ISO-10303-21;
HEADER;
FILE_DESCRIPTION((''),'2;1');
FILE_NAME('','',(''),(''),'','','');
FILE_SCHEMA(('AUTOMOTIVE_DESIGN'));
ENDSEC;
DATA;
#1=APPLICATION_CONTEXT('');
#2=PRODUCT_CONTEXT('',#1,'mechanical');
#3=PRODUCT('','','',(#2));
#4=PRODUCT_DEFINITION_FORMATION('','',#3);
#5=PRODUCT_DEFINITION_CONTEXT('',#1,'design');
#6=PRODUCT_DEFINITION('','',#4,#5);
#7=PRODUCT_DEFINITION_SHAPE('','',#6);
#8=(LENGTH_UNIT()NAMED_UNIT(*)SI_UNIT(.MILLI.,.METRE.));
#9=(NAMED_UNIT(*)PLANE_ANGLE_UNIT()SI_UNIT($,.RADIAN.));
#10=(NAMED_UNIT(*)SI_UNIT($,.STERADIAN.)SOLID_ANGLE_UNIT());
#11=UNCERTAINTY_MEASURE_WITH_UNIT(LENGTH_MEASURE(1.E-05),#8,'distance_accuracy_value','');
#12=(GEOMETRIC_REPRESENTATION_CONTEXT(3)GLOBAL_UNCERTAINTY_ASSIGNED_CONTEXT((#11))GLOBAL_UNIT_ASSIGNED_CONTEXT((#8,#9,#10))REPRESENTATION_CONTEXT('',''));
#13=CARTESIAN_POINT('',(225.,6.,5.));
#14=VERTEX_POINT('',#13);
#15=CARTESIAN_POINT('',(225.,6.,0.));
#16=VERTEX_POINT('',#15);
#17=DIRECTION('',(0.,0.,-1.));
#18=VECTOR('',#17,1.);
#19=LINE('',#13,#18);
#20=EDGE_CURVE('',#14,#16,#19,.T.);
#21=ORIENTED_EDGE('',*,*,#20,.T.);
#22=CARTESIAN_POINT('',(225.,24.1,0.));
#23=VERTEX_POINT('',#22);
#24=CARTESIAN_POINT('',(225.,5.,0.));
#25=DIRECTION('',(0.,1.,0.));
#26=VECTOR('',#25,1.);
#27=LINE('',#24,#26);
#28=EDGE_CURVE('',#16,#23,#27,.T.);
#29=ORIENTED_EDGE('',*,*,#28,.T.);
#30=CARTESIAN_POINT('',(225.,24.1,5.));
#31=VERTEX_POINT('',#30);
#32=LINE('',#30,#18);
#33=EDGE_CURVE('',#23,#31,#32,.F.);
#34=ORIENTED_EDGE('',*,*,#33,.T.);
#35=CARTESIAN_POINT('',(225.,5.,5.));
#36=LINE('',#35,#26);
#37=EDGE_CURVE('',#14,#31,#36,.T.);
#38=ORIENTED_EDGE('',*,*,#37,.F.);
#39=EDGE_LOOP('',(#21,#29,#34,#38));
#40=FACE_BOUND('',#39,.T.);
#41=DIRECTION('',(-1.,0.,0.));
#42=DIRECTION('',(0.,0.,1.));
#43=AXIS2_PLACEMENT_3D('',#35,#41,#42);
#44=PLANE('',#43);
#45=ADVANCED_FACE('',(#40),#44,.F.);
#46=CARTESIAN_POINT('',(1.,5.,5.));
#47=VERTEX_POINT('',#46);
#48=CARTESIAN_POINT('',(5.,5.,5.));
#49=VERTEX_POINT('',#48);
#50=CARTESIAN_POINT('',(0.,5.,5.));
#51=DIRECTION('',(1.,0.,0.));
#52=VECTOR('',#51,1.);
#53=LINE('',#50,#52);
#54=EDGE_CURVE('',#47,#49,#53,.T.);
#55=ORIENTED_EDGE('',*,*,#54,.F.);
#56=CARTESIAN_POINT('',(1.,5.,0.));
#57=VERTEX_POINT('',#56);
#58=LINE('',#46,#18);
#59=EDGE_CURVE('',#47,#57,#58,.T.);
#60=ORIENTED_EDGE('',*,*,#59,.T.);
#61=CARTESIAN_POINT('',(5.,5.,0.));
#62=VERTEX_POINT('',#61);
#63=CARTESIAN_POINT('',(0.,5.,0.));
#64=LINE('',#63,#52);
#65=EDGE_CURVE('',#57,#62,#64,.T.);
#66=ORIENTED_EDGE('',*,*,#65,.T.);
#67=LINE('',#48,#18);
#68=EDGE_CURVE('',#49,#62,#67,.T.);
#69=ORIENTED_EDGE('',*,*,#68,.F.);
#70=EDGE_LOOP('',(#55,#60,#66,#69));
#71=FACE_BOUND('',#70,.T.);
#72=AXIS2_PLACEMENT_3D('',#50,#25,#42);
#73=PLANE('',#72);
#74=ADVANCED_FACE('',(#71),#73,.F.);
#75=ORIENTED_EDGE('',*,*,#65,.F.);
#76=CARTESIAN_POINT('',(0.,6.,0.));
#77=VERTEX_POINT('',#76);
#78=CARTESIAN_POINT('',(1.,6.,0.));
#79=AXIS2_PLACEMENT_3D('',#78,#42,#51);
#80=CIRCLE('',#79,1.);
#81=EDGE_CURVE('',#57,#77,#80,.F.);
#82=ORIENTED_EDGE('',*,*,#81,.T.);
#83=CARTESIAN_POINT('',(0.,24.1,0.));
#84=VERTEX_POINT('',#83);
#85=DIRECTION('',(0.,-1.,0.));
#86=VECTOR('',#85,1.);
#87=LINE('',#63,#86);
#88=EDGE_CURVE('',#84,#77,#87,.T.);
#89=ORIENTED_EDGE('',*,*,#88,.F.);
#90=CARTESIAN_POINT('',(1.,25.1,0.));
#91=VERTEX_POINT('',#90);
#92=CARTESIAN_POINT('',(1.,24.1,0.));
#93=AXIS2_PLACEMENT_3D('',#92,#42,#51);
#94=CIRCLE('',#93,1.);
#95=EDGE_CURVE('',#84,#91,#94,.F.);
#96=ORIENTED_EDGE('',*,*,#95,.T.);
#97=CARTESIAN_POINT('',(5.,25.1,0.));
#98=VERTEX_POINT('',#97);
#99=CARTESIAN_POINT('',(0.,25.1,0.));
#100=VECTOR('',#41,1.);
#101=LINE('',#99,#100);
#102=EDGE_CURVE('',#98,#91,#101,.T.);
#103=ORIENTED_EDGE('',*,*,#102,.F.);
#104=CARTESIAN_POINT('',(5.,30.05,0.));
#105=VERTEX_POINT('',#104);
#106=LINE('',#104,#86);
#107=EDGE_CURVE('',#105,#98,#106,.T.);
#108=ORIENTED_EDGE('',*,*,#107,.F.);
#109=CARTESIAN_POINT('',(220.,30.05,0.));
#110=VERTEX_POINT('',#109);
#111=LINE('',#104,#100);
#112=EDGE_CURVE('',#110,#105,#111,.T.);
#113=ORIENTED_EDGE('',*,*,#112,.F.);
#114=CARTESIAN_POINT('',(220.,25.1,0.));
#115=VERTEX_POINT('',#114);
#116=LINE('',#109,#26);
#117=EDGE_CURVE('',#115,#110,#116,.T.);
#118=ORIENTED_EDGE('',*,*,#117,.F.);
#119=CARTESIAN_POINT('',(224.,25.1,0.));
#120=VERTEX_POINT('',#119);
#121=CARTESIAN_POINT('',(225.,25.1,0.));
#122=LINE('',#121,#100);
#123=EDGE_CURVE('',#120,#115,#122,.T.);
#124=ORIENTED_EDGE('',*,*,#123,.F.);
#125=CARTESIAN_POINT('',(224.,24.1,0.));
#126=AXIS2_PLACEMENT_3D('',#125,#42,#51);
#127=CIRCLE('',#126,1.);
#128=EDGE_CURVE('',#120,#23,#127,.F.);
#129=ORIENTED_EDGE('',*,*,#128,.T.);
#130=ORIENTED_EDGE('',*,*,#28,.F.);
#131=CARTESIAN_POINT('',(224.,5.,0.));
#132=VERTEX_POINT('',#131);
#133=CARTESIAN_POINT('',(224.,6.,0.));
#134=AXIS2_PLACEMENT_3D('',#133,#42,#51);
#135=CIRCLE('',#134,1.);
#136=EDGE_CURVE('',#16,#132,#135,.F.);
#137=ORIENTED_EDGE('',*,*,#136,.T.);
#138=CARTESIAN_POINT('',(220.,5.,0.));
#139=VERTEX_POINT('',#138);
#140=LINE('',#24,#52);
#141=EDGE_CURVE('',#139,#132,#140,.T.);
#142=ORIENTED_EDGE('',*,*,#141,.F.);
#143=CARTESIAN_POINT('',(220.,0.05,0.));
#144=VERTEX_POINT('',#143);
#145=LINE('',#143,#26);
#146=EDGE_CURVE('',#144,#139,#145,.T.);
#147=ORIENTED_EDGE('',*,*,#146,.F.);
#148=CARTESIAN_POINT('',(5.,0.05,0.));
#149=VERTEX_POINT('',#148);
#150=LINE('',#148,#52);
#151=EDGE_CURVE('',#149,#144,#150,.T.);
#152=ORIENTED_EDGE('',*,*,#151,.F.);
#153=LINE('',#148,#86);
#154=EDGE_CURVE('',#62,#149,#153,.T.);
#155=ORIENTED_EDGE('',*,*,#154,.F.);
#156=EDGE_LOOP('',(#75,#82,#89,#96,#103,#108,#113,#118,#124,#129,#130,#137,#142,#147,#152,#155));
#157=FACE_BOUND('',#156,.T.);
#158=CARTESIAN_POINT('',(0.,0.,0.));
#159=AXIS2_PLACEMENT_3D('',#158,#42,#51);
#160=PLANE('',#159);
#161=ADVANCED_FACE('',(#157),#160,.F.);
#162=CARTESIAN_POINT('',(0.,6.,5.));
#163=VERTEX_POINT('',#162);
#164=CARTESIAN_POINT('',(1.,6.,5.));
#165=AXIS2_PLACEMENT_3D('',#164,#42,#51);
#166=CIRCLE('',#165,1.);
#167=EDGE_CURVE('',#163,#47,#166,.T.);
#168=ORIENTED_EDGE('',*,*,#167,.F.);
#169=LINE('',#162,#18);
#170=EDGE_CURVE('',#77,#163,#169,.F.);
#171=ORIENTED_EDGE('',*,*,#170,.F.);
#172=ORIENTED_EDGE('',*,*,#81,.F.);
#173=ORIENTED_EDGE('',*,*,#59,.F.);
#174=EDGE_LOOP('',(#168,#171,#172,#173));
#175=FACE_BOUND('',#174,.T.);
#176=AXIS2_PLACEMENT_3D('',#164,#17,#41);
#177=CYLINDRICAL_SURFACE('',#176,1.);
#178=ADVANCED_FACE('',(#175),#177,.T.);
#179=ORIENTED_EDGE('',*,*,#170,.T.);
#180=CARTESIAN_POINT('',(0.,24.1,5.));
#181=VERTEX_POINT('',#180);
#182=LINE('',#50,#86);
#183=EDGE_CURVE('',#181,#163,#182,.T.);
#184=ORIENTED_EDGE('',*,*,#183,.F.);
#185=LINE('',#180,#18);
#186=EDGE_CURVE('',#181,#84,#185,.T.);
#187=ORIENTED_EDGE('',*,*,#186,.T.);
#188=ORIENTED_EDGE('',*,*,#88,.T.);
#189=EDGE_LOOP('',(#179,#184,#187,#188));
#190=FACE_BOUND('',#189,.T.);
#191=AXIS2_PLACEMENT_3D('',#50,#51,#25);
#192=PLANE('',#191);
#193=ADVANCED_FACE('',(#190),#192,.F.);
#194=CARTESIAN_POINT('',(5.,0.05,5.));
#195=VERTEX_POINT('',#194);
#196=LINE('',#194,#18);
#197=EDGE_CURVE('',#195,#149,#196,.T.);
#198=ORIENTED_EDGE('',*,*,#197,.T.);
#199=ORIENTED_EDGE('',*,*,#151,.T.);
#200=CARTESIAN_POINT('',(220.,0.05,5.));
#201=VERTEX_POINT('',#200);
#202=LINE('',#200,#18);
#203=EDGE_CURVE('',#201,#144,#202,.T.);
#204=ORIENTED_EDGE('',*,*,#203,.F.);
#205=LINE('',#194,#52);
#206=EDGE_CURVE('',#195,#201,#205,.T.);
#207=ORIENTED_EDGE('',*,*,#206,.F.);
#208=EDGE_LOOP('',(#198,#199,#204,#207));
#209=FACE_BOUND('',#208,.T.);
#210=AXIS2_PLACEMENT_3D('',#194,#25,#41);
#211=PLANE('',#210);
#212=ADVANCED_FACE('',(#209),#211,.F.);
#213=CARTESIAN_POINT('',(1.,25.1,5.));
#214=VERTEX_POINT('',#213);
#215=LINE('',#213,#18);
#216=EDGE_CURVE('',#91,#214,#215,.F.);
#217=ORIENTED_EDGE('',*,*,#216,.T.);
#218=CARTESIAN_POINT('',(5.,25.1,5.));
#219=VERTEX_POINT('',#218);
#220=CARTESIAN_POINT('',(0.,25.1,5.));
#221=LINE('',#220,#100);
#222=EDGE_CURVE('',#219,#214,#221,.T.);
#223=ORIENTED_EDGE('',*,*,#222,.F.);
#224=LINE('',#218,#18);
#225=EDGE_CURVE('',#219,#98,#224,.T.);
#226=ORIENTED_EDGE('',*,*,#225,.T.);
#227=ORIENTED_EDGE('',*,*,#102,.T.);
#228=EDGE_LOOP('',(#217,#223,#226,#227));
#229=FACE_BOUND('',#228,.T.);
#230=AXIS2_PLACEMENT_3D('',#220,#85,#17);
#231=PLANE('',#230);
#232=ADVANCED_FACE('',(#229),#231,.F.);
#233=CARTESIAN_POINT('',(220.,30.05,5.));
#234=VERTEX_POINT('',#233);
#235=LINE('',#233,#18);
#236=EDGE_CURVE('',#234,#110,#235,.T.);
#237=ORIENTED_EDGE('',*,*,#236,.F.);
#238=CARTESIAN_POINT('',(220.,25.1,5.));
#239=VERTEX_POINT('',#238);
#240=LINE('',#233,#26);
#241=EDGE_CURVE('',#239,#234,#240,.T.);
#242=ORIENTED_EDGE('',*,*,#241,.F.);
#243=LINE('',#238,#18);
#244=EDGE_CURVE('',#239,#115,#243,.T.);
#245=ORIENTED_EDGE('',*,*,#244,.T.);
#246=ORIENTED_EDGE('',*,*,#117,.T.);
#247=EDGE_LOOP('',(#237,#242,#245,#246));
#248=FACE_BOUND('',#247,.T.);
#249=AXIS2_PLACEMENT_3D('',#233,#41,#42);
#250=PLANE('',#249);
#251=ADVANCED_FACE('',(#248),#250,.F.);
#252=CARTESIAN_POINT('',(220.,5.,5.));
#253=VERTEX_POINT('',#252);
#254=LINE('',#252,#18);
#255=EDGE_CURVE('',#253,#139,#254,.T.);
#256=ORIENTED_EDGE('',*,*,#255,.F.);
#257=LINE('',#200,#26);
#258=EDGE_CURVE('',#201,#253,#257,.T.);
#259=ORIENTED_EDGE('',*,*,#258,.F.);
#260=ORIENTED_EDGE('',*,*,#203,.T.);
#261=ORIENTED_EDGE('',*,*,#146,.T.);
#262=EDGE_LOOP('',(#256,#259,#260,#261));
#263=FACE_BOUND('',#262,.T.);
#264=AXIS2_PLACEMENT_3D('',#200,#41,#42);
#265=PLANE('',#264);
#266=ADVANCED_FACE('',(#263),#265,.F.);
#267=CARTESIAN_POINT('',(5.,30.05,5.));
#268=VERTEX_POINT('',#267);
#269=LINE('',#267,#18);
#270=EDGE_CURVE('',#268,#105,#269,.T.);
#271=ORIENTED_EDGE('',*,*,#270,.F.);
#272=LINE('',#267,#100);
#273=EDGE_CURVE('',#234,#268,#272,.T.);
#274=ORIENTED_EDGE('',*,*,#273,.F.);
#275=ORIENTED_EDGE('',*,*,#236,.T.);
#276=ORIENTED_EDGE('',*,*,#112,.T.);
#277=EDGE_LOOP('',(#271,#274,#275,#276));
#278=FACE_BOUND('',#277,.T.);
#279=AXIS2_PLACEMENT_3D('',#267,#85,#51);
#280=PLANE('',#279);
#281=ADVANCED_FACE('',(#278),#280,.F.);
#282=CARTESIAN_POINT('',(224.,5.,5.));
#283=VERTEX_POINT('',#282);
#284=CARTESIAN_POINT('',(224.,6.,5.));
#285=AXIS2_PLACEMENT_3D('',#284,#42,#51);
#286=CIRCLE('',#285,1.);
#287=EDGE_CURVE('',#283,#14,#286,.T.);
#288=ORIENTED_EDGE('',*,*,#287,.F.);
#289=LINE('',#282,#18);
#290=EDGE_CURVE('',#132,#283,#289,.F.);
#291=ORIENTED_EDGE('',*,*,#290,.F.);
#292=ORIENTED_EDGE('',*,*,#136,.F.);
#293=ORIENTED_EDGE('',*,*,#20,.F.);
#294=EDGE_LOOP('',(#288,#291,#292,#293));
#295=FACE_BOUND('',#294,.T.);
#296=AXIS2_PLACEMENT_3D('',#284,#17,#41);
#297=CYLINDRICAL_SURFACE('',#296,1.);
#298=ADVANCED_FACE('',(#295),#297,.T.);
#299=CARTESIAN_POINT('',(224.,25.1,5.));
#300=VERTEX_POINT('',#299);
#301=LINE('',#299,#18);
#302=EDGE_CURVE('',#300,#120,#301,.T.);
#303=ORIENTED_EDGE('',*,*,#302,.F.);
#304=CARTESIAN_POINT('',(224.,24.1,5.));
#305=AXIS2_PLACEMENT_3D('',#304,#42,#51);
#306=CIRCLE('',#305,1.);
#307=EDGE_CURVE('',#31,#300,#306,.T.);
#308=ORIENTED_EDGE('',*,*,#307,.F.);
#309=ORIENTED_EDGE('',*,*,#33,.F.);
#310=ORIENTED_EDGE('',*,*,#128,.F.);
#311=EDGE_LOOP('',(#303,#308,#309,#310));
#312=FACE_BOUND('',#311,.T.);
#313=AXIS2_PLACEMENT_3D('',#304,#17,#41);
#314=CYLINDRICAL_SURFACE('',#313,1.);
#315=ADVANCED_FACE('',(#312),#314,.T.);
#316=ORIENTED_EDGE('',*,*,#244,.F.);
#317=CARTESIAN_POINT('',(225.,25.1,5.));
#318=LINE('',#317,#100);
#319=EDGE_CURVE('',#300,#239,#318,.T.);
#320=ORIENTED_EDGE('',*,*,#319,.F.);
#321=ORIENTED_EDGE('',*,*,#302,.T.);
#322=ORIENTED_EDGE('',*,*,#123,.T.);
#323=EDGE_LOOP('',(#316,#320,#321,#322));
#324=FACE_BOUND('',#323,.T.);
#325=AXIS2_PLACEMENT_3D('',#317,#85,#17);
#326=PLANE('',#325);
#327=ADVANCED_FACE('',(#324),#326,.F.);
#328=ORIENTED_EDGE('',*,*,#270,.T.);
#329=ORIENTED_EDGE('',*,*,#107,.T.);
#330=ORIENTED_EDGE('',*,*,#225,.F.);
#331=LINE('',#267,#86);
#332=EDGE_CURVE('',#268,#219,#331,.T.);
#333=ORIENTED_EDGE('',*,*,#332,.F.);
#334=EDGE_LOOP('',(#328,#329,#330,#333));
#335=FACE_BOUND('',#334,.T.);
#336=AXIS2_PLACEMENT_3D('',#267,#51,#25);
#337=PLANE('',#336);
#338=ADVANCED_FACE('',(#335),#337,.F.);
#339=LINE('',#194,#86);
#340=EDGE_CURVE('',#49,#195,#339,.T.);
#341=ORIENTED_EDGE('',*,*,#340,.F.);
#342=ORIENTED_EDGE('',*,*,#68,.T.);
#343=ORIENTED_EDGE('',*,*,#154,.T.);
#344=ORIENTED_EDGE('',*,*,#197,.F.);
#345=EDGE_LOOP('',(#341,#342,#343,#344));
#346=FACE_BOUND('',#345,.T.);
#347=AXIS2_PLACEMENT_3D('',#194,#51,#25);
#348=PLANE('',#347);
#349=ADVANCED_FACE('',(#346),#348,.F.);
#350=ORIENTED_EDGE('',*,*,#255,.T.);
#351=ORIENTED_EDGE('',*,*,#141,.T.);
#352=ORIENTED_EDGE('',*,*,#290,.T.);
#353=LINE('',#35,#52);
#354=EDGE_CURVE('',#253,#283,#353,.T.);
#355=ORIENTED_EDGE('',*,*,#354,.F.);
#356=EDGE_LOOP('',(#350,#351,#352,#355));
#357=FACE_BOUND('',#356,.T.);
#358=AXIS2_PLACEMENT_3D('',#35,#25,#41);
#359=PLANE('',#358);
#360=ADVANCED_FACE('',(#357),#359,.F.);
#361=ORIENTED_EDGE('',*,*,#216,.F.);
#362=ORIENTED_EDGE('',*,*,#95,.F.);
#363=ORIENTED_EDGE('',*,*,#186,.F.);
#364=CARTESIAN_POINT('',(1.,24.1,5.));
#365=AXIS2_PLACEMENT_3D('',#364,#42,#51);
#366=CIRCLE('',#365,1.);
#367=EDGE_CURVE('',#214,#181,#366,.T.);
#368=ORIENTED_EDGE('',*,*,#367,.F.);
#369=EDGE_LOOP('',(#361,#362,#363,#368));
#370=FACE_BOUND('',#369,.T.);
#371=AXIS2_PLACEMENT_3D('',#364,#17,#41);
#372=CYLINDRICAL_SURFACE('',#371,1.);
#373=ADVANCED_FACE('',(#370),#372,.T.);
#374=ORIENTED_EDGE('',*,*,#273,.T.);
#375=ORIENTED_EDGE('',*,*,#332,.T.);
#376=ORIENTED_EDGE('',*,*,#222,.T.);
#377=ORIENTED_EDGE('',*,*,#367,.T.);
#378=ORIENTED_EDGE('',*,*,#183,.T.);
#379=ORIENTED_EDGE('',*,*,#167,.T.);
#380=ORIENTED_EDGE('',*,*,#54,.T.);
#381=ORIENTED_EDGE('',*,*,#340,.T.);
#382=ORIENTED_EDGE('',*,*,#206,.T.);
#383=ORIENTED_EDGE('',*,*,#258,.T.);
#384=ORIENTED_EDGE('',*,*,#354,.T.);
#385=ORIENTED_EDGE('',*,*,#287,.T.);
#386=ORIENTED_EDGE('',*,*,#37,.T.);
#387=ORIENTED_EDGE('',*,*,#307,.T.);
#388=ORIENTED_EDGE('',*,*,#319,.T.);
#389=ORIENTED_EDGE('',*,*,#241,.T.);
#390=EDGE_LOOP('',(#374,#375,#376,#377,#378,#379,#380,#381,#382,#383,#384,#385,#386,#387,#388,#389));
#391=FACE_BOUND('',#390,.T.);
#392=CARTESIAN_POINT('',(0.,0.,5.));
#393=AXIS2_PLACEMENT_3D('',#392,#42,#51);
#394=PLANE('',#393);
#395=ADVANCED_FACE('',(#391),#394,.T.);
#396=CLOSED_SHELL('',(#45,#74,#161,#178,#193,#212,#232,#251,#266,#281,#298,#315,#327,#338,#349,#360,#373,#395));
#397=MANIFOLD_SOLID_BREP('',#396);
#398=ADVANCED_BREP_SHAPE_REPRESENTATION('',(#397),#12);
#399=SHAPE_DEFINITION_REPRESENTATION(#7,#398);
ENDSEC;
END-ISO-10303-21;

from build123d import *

# Parameters (mm, degrees)
BOSS_EXTRUDE1_DEPTH = 5
FILLET1_R           = 1


with BuildPart() as part:
    # Sketch1 → Boss-Extrude1 (new body)
    with BuildSketch(Plane.XY):
        Polygon((5, 0.05), (220, 0.05), (220, 5), (225, 5), (225, 25.1), (220, 25.1), (220, 30.05), (5, 30.05), (5, 25.1), (0, 25.1), (0, 5), (5, 5), align=None)
    extrude(amount=BOSS_EXTRUDE1_DEPTH)

    # Fillet1
    fillet1_edges = [part.edges().sort_by_distance(p)[0] for p in [
        (225, 25.1, 2.5),
        (225, 5, 2.5),
        (0, 5, 2.5),
        (0, 25.1, 2.5),
    ]]
    fillet(fillet1_edges, radius=FILLET1_R)


solid = part.part
